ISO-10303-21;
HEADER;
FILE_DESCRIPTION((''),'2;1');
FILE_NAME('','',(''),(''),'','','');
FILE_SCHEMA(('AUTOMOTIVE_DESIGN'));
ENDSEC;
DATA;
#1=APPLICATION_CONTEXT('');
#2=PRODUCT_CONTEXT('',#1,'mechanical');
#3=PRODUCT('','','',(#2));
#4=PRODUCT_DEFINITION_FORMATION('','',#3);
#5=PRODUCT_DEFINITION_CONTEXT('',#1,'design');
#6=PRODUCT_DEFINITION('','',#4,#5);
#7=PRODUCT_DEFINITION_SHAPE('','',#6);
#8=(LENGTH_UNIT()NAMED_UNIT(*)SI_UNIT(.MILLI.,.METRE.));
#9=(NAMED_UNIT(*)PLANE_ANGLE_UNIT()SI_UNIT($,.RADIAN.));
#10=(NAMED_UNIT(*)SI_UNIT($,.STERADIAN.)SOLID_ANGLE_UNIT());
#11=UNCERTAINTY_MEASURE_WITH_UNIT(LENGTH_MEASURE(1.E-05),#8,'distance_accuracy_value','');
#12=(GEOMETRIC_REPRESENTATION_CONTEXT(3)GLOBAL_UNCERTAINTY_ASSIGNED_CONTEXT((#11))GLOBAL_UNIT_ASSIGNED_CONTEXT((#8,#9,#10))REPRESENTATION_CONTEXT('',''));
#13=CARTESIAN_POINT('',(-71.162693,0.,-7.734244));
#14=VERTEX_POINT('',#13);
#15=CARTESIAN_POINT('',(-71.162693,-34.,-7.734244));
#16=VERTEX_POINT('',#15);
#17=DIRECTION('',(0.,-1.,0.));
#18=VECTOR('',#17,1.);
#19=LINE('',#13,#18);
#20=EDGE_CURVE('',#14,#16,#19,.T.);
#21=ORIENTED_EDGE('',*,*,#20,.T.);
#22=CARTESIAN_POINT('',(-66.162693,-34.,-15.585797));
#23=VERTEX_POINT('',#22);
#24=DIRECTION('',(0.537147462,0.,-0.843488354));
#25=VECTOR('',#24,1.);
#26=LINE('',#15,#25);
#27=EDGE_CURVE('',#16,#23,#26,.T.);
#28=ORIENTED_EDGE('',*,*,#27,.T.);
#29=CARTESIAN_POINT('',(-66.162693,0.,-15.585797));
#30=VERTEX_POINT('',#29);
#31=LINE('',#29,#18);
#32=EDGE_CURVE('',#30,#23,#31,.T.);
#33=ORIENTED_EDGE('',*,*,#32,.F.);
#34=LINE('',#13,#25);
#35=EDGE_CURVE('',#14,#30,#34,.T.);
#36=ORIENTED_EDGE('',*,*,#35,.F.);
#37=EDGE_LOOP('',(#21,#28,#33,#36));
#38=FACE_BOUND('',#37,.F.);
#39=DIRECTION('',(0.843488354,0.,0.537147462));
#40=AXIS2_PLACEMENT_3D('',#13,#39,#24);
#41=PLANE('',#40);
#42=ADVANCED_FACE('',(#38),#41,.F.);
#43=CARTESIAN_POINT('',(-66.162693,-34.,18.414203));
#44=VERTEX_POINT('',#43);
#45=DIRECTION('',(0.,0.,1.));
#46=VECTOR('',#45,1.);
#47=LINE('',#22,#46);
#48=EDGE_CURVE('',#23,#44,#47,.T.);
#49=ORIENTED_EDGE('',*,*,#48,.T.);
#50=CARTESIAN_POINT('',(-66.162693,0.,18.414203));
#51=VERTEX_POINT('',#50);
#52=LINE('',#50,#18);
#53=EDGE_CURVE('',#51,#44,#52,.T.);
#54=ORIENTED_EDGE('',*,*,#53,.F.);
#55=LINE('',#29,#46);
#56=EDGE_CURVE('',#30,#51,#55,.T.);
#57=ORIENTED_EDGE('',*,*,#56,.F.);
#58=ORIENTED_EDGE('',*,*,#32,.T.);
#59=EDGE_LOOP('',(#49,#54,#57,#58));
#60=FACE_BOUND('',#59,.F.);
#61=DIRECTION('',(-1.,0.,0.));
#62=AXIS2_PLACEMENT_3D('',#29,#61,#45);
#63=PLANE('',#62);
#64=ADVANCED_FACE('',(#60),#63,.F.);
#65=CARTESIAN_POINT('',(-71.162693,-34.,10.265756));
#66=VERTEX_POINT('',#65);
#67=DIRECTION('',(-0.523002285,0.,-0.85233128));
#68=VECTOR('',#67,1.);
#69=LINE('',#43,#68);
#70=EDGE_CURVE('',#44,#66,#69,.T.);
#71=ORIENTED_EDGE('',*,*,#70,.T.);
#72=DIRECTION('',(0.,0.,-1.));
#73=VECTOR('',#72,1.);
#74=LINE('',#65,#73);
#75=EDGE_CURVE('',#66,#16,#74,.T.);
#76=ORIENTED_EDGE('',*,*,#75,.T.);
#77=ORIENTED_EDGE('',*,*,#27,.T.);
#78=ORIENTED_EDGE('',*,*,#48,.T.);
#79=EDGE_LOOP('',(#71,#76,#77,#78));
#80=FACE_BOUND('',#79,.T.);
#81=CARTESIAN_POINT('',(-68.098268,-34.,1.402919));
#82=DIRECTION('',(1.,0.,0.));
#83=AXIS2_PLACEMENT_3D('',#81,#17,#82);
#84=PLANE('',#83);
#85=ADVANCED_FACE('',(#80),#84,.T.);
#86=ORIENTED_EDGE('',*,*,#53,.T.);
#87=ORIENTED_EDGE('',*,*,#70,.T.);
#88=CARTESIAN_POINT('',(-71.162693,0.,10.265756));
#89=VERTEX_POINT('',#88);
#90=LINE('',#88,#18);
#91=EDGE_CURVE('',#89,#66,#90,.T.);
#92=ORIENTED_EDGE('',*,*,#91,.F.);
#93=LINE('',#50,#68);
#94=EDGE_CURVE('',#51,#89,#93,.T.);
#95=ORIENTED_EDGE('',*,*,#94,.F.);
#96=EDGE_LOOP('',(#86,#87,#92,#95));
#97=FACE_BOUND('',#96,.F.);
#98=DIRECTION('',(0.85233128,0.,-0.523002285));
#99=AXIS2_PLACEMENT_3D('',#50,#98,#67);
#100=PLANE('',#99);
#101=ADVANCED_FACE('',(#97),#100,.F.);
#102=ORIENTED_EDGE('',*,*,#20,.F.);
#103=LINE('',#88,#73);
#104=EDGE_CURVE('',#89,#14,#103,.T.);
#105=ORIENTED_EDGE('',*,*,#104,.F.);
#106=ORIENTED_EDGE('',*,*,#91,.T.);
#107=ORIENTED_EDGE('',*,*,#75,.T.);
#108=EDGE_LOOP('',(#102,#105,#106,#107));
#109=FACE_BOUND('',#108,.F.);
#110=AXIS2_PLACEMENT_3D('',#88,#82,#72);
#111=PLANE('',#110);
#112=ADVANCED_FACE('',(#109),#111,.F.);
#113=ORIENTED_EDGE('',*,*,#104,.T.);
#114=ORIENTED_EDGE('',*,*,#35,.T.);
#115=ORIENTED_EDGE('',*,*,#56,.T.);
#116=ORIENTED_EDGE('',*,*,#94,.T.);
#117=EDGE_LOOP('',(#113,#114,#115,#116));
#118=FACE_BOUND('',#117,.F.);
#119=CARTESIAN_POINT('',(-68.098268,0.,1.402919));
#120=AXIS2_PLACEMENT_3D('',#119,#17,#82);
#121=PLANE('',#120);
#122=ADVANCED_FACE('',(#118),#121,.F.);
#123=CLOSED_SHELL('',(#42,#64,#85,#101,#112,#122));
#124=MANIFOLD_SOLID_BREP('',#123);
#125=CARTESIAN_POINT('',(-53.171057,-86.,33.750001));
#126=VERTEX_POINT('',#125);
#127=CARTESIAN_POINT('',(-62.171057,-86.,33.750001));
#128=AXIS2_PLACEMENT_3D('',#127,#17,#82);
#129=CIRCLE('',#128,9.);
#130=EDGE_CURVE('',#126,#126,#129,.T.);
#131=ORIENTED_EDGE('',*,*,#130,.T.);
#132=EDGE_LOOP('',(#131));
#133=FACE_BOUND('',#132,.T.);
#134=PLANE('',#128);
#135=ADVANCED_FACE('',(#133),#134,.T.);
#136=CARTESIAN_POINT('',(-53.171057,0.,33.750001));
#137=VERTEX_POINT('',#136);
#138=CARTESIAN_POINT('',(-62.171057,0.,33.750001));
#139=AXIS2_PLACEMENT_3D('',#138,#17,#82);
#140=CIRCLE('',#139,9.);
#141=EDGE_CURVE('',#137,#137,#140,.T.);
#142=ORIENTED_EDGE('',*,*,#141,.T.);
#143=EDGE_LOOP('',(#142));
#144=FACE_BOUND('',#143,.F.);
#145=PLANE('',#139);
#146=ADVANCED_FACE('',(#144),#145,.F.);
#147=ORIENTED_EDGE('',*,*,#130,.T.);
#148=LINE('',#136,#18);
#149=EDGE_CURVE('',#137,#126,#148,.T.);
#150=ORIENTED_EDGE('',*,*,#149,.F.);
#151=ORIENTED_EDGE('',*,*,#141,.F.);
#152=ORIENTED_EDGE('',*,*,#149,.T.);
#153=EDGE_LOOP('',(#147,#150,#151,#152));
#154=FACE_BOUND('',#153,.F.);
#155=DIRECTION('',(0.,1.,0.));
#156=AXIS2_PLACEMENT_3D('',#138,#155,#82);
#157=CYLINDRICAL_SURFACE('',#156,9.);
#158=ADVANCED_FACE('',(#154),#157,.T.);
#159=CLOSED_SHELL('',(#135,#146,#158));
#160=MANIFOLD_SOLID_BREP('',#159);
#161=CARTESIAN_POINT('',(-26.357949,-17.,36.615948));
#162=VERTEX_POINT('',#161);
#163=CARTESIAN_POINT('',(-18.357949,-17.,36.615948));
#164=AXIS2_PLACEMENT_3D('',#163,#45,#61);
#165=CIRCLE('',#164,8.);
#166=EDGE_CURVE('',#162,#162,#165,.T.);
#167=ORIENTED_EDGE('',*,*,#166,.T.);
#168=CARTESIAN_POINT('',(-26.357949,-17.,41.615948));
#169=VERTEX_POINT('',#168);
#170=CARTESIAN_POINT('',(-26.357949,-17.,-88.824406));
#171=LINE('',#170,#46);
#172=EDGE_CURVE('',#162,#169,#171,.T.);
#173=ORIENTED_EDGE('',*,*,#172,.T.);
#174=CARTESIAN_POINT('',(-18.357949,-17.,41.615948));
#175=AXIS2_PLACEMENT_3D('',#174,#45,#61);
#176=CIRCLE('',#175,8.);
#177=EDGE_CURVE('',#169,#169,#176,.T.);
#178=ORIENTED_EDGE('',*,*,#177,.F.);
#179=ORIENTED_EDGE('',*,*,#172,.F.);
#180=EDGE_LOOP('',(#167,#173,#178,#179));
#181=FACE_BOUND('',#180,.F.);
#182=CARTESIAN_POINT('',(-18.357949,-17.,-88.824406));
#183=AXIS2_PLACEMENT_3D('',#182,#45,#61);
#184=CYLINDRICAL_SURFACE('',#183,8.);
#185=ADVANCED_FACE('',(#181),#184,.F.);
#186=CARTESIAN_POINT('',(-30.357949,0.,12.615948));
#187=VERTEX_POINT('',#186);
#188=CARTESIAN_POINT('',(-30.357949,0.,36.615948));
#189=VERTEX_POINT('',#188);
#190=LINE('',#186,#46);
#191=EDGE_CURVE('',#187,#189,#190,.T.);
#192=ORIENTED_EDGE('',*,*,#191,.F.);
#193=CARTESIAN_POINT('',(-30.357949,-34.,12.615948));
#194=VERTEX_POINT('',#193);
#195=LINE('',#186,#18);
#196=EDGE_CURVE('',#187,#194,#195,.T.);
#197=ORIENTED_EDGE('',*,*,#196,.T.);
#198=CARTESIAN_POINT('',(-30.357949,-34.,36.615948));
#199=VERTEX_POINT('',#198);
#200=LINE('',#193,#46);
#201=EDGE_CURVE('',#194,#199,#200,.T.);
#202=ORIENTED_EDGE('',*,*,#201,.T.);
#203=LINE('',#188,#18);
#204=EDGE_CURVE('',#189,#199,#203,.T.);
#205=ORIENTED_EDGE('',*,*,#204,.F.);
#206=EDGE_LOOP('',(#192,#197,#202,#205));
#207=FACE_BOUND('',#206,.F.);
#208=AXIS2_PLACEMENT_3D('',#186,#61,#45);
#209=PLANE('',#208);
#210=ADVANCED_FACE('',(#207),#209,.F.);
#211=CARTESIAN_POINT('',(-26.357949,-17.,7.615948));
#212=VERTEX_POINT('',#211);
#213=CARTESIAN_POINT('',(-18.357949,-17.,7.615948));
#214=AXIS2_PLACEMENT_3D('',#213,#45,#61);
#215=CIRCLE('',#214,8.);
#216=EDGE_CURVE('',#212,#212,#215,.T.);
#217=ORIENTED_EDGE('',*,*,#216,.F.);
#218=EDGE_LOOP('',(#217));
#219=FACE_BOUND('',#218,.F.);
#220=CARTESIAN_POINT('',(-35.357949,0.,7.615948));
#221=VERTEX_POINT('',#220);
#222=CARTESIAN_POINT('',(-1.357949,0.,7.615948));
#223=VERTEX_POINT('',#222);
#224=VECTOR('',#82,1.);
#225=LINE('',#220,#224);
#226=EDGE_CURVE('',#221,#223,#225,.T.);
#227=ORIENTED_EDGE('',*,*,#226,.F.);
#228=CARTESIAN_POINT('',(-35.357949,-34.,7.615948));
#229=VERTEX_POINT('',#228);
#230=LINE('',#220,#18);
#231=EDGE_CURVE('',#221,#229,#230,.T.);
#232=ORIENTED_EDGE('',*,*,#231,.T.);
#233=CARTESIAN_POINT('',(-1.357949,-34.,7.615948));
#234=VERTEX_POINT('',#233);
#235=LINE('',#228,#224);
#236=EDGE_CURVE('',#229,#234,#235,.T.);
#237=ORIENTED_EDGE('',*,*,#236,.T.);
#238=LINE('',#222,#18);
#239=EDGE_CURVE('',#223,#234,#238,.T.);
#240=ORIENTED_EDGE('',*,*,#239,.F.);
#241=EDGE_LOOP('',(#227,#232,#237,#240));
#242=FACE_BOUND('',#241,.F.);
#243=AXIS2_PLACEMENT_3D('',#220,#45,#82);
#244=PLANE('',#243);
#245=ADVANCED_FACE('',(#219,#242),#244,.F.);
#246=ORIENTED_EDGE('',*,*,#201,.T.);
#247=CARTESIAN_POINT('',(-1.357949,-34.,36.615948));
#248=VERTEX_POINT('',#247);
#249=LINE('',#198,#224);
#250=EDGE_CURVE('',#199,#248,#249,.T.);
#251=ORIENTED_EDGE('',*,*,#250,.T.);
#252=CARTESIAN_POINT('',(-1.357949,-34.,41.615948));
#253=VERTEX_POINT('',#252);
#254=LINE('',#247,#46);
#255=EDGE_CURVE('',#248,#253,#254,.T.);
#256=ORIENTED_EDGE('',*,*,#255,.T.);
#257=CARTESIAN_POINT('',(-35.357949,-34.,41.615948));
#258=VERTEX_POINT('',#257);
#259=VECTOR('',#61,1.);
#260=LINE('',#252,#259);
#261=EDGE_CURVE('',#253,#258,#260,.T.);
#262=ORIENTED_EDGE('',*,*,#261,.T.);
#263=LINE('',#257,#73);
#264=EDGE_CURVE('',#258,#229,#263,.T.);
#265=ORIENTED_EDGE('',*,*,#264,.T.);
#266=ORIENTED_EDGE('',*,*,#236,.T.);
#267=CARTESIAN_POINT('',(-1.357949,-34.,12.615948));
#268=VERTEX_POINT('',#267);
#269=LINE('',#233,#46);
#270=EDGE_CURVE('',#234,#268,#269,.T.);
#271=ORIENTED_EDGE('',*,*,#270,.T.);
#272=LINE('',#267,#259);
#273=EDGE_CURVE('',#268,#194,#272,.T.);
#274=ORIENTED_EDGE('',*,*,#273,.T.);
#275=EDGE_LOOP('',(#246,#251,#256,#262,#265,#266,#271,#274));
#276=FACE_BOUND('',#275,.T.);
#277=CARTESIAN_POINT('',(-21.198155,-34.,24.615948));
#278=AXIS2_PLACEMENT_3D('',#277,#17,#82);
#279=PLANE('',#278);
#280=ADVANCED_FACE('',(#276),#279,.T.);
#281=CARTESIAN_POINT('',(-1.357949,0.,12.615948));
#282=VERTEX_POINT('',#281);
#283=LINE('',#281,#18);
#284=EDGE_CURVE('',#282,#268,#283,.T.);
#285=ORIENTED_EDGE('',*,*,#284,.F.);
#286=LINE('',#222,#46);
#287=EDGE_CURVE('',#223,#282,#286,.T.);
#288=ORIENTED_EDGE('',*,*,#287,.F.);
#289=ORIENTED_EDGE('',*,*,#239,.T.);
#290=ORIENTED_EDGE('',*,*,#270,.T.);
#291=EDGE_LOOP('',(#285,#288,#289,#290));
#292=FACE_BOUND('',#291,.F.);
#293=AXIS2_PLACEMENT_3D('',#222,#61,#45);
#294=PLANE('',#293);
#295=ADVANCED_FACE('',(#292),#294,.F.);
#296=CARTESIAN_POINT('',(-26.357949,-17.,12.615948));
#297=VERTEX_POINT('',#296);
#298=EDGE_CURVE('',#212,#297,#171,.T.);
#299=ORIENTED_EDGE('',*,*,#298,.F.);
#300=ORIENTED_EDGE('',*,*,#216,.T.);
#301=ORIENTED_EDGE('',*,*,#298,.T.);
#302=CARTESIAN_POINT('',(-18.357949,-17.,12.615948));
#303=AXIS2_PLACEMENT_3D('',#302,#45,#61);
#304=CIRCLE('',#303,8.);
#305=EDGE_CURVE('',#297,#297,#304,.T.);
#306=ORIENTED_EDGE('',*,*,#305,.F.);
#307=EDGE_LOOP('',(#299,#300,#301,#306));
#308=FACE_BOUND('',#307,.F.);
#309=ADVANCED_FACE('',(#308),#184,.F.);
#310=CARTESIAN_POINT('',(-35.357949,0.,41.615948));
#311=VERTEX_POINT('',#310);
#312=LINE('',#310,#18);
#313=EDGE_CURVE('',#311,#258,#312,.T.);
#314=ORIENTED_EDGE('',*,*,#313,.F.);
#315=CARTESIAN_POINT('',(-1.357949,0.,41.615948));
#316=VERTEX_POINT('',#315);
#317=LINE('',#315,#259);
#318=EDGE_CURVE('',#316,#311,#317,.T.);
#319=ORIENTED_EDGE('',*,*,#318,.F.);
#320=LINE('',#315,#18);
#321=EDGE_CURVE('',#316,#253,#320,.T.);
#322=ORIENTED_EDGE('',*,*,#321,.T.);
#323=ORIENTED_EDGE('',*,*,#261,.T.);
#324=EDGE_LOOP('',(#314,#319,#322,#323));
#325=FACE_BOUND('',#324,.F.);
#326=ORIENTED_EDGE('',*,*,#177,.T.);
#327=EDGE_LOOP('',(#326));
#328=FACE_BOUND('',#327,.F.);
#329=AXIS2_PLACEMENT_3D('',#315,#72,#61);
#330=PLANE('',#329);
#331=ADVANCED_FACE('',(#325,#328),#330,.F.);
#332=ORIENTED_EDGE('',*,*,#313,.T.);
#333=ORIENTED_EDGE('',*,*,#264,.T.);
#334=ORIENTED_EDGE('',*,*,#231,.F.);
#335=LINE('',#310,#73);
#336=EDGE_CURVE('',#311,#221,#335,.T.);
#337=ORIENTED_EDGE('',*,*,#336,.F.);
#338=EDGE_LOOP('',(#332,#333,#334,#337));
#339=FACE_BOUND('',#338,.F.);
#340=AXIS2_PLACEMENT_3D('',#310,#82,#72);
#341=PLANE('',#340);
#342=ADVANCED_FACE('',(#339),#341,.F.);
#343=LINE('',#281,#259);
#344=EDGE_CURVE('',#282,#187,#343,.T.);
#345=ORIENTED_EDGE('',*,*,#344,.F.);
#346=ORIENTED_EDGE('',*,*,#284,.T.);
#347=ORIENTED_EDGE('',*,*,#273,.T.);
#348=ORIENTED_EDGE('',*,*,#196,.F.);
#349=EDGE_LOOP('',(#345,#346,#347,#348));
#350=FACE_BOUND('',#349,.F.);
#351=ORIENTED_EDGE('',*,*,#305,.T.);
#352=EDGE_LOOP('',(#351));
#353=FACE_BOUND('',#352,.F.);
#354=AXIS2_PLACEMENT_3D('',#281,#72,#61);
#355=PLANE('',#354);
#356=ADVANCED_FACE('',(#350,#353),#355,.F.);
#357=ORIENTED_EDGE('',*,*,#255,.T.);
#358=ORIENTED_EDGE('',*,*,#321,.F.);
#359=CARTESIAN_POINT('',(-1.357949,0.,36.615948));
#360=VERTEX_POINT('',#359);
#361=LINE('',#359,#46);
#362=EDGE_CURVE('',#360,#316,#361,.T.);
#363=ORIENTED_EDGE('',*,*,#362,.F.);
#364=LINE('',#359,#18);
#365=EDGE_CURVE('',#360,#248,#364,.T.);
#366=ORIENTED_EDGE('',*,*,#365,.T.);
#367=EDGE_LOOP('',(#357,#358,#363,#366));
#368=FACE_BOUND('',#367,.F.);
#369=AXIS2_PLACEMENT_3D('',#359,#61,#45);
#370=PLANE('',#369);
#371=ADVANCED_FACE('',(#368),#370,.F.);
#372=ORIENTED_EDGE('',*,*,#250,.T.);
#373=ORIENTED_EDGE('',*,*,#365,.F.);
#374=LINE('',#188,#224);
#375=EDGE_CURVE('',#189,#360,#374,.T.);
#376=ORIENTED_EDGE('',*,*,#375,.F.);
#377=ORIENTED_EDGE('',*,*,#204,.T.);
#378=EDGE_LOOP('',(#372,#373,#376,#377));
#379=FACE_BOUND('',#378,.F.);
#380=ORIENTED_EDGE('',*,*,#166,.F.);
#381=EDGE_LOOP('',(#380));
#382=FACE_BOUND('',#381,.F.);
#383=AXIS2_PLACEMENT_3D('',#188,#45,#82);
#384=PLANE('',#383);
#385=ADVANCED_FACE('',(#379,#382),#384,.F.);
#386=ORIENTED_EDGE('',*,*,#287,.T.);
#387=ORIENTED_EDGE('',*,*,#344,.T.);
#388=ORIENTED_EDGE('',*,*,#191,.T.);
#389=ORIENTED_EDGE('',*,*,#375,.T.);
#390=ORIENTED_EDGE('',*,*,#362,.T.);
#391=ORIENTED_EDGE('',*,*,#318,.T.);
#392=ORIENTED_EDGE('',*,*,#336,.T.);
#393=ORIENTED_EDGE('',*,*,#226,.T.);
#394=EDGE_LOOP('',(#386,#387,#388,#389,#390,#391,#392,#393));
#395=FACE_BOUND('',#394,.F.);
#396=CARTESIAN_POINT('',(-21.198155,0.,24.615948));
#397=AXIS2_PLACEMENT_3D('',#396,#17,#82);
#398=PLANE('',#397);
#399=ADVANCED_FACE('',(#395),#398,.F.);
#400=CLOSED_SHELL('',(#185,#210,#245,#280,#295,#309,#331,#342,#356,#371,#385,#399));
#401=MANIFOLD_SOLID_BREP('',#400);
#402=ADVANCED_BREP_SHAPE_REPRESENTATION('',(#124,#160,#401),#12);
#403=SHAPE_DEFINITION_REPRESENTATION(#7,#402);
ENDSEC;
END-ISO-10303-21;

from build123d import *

# Parameters (mm, degrees)
F0_R     = 9
F1_DEPTH = 86
F3_DEPTH = 34
F5_D     = 16


with BuildPart() as f1:
    # F0 (on Front) → F1 (new body)
    with BuildSketch(Plane.XZ):
        with Locations((-62.171057, 33.750001)):
            Circle(F0_R)
    extrude(amount=F1_DEPTH)


with BuildPart() as f3:
    # F2 (on Front) → F3 (new body)
    with BuildSketch(Plane.XZ):
        Polygon((-1.357949, 41.615948), (-35.357949, 41.615948), (-35.357949, 7.615948), (-1.357949, 7.615948), (-1.357949, 12.615948), (-30.357949, 12.615948), (-30.357949, 36.615948), (-1.357949, 36.615948), align=None)
        Polygon((-66.162693, -15.585797), (-66.162693, 18.414203), (-71.162693, 10.265756), (-71.162693, -7.734244), align=None)
    extrude(amount=F3_DEPTH)

    # F5 (through all)
    with Locations(Plane(origin=(0, 0, 7.615948), x_dir=(1, 0, 0), z_dir=(0, 0, -1))):
        with Locations((-18.357949, 17)):
            Hole(F5_D / 2)


solid = Compound([f1.part, f3.part])
